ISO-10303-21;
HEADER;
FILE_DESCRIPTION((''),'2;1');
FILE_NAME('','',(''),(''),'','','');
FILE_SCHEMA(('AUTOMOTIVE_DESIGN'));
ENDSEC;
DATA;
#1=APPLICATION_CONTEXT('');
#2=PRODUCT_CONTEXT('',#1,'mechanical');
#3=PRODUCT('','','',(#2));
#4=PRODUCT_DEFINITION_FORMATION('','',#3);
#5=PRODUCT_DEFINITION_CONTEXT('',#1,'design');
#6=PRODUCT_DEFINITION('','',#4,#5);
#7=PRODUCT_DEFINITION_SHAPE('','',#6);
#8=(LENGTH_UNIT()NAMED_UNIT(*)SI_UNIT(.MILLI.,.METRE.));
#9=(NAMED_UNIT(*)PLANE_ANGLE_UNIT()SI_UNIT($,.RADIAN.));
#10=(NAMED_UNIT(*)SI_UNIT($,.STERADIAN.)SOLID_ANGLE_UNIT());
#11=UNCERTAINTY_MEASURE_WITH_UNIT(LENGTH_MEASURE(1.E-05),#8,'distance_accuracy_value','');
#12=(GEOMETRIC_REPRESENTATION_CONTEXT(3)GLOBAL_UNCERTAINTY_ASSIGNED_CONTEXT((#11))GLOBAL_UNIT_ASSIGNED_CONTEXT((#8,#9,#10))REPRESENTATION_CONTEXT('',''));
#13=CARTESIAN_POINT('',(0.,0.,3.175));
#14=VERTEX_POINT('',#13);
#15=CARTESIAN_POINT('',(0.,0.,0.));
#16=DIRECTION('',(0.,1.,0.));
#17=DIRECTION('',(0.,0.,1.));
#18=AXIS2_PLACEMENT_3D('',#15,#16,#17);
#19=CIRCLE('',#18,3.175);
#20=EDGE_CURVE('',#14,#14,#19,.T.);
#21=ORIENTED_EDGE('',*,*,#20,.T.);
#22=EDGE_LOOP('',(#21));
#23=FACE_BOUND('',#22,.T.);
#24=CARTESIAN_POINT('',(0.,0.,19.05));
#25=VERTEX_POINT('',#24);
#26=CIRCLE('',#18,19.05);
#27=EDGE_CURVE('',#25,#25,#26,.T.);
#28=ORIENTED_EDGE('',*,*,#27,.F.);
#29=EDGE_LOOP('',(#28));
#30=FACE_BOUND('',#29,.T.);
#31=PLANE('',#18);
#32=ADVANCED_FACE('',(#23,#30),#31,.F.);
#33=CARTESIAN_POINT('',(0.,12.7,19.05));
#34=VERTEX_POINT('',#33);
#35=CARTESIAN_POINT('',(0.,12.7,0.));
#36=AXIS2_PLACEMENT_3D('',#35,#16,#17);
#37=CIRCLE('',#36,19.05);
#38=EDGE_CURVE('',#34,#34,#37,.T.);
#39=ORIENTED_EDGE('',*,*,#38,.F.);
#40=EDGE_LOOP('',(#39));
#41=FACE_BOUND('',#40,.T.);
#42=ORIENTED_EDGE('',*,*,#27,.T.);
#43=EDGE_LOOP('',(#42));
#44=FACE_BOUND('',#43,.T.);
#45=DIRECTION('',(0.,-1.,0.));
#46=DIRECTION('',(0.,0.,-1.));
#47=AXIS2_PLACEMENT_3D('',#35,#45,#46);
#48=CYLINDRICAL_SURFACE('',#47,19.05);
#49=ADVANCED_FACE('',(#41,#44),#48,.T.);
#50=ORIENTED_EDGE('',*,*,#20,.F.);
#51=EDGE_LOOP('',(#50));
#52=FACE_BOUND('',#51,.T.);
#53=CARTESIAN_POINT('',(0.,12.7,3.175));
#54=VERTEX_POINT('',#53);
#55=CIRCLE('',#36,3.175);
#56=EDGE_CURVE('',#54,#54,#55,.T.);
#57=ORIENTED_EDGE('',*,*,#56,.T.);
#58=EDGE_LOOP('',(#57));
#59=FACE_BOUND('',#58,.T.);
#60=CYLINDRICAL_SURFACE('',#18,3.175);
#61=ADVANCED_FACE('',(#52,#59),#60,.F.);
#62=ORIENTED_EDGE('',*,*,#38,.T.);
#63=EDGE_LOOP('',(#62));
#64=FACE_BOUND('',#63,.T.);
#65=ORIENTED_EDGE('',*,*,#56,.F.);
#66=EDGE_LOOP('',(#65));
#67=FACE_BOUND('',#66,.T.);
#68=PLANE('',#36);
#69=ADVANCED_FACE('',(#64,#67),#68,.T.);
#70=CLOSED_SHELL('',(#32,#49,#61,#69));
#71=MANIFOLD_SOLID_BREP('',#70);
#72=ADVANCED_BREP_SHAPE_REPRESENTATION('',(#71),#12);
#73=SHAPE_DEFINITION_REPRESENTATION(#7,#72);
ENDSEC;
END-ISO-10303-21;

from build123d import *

# Parameters (mm, degrees)
SKETCH1_R           = 19.05
BOSS_EXTRUDE1_DEPTH = 12.7
SKETCH2_R           = 3.175
CUT_EXTRUDE1_DEPTH  = 12.7


with BuildPart() as part:
    # Sketch1 → Boss-Extrude1 (new body)
    with BuildSketch(Plane(origin=(0, 0, 0), x_dir=(1, 0, 0), z_dir=(0, 1, 0))):
        with Locations(Location((0, 0, 0), (0, 0, 270))):
            Circle(SKETCH1_R)
    extrude(amount=BOSS_EXTRUDE1_DEPTH)

    # Sketch2 → Cut-Extrude1 (cut)
    with BuildSketch(Plane(origin=(0, 12.7, 0), x_dir=(1, 0, 0), z_dir=(0, 1, 0))):
        with Locations(Location((0, 0, 0), (0, 0, 270))):
            Circle(SKETCH2_R)
    extrude(amount=-CUT_EXTRUDE1_DEPTH, mode=Mode.SUBTRACT)


solid = part.part
